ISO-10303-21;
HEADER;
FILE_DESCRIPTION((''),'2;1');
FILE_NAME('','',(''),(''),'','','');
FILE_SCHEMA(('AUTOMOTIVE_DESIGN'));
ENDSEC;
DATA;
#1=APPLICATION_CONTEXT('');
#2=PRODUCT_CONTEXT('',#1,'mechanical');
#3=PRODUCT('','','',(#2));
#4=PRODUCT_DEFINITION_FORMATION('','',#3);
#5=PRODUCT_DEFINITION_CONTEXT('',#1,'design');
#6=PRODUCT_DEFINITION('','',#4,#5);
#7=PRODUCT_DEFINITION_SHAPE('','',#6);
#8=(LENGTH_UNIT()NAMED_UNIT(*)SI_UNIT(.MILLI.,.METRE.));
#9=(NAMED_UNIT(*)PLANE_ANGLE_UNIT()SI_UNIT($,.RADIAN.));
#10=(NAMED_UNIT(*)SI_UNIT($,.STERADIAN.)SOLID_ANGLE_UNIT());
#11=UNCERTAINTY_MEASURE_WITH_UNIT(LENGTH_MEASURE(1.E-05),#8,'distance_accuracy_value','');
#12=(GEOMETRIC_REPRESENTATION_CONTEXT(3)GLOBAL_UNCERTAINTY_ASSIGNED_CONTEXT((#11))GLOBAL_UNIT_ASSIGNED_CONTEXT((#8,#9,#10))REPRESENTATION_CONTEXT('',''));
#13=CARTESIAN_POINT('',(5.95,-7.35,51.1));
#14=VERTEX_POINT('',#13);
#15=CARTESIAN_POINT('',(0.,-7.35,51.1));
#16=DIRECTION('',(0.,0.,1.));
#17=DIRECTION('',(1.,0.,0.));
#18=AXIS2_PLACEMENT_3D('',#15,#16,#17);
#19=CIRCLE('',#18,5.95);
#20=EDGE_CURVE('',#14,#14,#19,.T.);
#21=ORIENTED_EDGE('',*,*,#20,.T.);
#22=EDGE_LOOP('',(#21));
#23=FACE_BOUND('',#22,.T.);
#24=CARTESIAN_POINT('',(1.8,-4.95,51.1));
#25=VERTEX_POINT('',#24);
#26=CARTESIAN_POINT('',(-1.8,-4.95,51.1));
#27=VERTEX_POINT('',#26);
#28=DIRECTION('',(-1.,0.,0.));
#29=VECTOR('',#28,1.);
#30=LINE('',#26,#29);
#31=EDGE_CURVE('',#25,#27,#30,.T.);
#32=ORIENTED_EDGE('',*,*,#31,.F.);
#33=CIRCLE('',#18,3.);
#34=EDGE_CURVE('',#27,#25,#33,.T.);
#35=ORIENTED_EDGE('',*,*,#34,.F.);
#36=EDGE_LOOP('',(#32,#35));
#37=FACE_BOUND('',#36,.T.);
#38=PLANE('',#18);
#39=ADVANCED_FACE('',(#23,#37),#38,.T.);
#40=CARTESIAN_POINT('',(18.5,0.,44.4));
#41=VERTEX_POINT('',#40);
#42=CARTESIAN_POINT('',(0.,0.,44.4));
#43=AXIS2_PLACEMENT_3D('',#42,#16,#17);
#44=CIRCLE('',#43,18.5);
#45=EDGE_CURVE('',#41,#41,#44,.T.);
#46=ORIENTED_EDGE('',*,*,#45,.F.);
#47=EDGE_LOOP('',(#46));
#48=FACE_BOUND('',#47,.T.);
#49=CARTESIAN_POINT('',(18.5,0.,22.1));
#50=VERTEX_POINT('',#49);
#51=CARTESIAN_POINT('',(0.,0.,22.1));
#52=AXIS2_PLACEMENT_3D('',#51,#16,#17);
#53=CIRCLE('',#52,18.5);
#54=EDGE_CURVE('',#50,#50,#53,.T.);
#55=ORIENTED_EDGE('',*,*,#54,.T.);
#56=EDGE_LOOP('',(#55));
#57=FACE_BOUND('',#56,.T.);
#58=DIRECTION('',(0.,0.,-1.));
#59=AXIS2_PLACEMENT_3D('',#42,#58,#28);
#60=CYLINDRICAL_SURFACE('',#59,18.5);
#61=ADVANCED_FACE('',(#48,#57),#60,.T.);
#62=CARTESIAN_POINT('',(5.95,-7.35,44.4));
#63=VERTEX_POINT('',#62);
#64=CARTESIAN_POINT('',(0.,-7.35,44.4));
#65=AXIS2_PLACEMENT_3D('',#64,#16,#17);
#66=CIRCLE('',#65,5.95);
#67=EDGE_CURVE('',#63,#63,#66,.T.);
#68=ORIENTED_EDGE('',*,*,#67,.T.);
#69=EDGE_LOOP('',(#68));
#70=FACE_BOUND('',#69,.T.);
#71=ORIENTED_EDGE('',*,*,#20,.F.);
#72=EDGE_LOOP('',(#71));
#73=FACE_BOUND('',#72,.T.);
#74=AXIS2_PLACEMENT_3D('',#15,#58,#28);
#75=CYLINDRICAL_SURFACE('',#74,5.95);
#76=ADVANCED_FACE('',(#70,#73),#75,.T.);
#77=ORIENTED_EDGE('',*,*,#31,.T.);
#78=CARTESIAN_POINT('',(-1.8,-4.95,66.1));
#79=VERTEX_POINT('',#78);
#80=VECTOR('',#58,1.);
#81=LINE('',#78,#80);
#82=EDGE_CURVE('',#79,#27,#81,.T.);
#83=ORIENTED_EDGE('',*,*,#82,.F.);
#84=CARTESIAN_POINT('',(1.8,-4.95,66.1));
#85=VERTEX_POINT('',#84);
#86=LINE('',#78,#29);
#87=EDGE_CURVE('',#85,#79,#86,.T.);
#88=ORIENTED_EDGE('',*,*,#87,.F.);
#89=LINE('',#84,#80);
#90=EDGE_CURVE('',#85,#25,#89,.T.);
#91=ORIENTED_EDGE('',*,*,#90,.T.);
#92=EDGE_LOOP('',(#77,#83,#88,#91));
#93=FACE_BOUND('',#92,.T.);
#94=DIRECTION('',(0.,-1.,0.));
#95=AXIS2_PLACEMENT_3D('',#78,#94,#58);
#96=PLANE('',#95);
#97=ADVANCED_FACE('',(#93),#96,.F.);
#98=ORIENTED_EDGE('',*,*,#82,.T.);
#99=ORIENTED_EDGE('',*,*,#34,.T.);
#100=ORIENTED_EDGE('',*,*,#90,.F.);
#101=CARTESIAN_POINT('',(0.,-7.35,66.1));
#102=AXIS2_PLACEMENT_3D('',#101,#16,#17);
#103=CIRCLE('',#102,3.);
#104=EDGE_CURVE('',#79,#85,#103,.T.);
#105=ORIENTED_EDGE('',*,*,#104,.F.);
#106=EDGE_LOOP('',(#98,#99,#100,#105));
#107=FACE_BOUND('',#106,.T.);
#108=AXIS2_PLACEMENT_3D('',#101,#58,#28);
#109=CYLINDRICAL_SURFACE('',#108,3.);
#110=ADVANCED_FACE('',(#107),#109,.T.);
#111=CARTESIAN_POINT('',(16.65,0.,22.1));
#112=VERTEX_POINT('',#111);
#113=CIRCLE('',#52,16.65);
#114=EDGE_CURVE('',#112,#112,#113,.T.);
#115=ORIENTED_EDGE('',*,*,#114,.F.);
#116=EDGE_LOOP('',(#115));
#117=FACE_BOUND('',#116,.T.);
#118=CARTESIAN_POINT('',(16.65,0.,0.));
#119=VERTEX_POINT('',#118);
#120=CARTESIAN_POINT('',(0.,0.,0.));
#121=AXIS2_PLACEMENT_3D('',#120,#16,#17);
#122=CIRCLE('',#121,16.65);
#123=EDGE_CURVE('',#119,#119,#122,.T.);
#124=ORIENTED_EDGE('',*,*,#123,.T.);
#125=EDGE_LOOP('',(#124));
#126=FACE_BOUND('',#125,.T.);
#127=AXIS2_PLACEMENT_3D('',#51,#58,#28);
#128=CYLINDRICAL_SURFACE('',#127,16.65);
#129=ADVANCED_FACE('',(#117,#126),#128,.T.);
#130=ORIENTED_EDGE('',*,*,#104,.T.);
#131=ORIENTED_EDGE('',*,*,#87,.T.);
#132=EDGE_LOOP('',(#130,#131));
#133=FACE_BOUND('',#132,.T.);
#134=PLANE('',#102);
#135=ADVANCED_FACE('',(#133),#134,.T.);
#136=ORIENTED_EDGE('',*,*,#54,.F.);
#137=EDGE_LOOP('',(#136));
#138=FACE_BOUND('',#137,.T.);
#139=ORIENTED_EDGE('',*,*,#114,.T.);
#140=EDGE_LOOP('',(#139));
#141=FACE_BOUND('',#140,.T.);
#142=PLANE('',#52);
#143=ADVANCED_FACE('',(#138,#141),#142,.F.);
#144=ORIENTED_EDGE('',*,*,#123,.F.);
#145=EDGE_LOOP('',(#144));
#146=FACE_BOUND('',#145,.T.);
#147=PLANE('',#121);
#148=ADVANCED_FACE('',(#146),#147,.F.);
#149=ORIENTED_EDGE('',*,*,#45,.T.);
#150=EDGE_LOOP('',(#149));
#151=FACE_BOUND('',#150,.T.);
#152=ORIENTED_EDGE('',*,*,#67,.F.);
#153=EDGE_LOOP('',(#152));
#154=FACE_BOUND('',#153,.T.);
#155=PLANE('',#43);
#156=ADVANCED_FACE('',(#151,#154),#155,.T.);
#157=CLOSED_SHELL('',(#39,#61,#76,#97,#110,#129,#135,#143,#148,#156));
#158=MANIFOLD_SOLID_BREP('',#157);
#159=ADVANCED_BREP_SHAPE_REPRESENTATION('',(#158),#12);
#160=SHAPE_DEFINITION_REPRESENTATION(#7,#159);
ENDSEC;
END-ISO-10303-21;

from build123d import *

# Parameters (mm, degrees)
CROQUIS1_R              = 16.65
SALIENTE_EXTRUIR1_DEPTH = 22.1
CROQUIS2_R              = 18.5
SALIENTE_EXTRUIR3_DEPTH = 22.3
CROQUIS3_R              = 5.95
SALIENTE_EXTRUIR4_DEPTH = 6.7
SALIENTE_EXTRUIR5_DEPTH = 15


with BuildPart() as part:
    # Croquis1 → Saliente-Extruir1 (new body)
    with BuildSketch(Plane.XY):
        Circle(CROQUIS1_R)
    extrude(amount=SALIENTE_EXTRUIR1_DEPTH)

    # Croquis2 → Saliente-Extruir3 (add)
    with BuildSketch(Plane.XY.offset(22.1)):
        Circle(CROQUIS2_R)
    extrude(amount=SALIENTE_EXTRUIR3_DEPTH)

    # Croquis3 → Saliente-Extruir4 (add)
    with BuildSketch(Plane.XY.offset(44.4)):
        with Locations((0, -7.35)):
            Circle(CROQUIS3_R)
    extrude(amount=SALIENTE_EXTRUIR4_DEPTH)

    # Croquis4 → Saliente-Extruir5 (add)
    with BuildSketch(Plane.XY.offset(51.1)):
        with BuildLine():
            Line((-1.8, -4.95), (1.8, -4.95))
            ThreePointArc((1.8, -4.95), (0, -10.35), (-1.8, -4.95))
        make_face()
    extrude(amount=SALIENTE_EXTRUIR5_DEPTH)


solid = part.part
